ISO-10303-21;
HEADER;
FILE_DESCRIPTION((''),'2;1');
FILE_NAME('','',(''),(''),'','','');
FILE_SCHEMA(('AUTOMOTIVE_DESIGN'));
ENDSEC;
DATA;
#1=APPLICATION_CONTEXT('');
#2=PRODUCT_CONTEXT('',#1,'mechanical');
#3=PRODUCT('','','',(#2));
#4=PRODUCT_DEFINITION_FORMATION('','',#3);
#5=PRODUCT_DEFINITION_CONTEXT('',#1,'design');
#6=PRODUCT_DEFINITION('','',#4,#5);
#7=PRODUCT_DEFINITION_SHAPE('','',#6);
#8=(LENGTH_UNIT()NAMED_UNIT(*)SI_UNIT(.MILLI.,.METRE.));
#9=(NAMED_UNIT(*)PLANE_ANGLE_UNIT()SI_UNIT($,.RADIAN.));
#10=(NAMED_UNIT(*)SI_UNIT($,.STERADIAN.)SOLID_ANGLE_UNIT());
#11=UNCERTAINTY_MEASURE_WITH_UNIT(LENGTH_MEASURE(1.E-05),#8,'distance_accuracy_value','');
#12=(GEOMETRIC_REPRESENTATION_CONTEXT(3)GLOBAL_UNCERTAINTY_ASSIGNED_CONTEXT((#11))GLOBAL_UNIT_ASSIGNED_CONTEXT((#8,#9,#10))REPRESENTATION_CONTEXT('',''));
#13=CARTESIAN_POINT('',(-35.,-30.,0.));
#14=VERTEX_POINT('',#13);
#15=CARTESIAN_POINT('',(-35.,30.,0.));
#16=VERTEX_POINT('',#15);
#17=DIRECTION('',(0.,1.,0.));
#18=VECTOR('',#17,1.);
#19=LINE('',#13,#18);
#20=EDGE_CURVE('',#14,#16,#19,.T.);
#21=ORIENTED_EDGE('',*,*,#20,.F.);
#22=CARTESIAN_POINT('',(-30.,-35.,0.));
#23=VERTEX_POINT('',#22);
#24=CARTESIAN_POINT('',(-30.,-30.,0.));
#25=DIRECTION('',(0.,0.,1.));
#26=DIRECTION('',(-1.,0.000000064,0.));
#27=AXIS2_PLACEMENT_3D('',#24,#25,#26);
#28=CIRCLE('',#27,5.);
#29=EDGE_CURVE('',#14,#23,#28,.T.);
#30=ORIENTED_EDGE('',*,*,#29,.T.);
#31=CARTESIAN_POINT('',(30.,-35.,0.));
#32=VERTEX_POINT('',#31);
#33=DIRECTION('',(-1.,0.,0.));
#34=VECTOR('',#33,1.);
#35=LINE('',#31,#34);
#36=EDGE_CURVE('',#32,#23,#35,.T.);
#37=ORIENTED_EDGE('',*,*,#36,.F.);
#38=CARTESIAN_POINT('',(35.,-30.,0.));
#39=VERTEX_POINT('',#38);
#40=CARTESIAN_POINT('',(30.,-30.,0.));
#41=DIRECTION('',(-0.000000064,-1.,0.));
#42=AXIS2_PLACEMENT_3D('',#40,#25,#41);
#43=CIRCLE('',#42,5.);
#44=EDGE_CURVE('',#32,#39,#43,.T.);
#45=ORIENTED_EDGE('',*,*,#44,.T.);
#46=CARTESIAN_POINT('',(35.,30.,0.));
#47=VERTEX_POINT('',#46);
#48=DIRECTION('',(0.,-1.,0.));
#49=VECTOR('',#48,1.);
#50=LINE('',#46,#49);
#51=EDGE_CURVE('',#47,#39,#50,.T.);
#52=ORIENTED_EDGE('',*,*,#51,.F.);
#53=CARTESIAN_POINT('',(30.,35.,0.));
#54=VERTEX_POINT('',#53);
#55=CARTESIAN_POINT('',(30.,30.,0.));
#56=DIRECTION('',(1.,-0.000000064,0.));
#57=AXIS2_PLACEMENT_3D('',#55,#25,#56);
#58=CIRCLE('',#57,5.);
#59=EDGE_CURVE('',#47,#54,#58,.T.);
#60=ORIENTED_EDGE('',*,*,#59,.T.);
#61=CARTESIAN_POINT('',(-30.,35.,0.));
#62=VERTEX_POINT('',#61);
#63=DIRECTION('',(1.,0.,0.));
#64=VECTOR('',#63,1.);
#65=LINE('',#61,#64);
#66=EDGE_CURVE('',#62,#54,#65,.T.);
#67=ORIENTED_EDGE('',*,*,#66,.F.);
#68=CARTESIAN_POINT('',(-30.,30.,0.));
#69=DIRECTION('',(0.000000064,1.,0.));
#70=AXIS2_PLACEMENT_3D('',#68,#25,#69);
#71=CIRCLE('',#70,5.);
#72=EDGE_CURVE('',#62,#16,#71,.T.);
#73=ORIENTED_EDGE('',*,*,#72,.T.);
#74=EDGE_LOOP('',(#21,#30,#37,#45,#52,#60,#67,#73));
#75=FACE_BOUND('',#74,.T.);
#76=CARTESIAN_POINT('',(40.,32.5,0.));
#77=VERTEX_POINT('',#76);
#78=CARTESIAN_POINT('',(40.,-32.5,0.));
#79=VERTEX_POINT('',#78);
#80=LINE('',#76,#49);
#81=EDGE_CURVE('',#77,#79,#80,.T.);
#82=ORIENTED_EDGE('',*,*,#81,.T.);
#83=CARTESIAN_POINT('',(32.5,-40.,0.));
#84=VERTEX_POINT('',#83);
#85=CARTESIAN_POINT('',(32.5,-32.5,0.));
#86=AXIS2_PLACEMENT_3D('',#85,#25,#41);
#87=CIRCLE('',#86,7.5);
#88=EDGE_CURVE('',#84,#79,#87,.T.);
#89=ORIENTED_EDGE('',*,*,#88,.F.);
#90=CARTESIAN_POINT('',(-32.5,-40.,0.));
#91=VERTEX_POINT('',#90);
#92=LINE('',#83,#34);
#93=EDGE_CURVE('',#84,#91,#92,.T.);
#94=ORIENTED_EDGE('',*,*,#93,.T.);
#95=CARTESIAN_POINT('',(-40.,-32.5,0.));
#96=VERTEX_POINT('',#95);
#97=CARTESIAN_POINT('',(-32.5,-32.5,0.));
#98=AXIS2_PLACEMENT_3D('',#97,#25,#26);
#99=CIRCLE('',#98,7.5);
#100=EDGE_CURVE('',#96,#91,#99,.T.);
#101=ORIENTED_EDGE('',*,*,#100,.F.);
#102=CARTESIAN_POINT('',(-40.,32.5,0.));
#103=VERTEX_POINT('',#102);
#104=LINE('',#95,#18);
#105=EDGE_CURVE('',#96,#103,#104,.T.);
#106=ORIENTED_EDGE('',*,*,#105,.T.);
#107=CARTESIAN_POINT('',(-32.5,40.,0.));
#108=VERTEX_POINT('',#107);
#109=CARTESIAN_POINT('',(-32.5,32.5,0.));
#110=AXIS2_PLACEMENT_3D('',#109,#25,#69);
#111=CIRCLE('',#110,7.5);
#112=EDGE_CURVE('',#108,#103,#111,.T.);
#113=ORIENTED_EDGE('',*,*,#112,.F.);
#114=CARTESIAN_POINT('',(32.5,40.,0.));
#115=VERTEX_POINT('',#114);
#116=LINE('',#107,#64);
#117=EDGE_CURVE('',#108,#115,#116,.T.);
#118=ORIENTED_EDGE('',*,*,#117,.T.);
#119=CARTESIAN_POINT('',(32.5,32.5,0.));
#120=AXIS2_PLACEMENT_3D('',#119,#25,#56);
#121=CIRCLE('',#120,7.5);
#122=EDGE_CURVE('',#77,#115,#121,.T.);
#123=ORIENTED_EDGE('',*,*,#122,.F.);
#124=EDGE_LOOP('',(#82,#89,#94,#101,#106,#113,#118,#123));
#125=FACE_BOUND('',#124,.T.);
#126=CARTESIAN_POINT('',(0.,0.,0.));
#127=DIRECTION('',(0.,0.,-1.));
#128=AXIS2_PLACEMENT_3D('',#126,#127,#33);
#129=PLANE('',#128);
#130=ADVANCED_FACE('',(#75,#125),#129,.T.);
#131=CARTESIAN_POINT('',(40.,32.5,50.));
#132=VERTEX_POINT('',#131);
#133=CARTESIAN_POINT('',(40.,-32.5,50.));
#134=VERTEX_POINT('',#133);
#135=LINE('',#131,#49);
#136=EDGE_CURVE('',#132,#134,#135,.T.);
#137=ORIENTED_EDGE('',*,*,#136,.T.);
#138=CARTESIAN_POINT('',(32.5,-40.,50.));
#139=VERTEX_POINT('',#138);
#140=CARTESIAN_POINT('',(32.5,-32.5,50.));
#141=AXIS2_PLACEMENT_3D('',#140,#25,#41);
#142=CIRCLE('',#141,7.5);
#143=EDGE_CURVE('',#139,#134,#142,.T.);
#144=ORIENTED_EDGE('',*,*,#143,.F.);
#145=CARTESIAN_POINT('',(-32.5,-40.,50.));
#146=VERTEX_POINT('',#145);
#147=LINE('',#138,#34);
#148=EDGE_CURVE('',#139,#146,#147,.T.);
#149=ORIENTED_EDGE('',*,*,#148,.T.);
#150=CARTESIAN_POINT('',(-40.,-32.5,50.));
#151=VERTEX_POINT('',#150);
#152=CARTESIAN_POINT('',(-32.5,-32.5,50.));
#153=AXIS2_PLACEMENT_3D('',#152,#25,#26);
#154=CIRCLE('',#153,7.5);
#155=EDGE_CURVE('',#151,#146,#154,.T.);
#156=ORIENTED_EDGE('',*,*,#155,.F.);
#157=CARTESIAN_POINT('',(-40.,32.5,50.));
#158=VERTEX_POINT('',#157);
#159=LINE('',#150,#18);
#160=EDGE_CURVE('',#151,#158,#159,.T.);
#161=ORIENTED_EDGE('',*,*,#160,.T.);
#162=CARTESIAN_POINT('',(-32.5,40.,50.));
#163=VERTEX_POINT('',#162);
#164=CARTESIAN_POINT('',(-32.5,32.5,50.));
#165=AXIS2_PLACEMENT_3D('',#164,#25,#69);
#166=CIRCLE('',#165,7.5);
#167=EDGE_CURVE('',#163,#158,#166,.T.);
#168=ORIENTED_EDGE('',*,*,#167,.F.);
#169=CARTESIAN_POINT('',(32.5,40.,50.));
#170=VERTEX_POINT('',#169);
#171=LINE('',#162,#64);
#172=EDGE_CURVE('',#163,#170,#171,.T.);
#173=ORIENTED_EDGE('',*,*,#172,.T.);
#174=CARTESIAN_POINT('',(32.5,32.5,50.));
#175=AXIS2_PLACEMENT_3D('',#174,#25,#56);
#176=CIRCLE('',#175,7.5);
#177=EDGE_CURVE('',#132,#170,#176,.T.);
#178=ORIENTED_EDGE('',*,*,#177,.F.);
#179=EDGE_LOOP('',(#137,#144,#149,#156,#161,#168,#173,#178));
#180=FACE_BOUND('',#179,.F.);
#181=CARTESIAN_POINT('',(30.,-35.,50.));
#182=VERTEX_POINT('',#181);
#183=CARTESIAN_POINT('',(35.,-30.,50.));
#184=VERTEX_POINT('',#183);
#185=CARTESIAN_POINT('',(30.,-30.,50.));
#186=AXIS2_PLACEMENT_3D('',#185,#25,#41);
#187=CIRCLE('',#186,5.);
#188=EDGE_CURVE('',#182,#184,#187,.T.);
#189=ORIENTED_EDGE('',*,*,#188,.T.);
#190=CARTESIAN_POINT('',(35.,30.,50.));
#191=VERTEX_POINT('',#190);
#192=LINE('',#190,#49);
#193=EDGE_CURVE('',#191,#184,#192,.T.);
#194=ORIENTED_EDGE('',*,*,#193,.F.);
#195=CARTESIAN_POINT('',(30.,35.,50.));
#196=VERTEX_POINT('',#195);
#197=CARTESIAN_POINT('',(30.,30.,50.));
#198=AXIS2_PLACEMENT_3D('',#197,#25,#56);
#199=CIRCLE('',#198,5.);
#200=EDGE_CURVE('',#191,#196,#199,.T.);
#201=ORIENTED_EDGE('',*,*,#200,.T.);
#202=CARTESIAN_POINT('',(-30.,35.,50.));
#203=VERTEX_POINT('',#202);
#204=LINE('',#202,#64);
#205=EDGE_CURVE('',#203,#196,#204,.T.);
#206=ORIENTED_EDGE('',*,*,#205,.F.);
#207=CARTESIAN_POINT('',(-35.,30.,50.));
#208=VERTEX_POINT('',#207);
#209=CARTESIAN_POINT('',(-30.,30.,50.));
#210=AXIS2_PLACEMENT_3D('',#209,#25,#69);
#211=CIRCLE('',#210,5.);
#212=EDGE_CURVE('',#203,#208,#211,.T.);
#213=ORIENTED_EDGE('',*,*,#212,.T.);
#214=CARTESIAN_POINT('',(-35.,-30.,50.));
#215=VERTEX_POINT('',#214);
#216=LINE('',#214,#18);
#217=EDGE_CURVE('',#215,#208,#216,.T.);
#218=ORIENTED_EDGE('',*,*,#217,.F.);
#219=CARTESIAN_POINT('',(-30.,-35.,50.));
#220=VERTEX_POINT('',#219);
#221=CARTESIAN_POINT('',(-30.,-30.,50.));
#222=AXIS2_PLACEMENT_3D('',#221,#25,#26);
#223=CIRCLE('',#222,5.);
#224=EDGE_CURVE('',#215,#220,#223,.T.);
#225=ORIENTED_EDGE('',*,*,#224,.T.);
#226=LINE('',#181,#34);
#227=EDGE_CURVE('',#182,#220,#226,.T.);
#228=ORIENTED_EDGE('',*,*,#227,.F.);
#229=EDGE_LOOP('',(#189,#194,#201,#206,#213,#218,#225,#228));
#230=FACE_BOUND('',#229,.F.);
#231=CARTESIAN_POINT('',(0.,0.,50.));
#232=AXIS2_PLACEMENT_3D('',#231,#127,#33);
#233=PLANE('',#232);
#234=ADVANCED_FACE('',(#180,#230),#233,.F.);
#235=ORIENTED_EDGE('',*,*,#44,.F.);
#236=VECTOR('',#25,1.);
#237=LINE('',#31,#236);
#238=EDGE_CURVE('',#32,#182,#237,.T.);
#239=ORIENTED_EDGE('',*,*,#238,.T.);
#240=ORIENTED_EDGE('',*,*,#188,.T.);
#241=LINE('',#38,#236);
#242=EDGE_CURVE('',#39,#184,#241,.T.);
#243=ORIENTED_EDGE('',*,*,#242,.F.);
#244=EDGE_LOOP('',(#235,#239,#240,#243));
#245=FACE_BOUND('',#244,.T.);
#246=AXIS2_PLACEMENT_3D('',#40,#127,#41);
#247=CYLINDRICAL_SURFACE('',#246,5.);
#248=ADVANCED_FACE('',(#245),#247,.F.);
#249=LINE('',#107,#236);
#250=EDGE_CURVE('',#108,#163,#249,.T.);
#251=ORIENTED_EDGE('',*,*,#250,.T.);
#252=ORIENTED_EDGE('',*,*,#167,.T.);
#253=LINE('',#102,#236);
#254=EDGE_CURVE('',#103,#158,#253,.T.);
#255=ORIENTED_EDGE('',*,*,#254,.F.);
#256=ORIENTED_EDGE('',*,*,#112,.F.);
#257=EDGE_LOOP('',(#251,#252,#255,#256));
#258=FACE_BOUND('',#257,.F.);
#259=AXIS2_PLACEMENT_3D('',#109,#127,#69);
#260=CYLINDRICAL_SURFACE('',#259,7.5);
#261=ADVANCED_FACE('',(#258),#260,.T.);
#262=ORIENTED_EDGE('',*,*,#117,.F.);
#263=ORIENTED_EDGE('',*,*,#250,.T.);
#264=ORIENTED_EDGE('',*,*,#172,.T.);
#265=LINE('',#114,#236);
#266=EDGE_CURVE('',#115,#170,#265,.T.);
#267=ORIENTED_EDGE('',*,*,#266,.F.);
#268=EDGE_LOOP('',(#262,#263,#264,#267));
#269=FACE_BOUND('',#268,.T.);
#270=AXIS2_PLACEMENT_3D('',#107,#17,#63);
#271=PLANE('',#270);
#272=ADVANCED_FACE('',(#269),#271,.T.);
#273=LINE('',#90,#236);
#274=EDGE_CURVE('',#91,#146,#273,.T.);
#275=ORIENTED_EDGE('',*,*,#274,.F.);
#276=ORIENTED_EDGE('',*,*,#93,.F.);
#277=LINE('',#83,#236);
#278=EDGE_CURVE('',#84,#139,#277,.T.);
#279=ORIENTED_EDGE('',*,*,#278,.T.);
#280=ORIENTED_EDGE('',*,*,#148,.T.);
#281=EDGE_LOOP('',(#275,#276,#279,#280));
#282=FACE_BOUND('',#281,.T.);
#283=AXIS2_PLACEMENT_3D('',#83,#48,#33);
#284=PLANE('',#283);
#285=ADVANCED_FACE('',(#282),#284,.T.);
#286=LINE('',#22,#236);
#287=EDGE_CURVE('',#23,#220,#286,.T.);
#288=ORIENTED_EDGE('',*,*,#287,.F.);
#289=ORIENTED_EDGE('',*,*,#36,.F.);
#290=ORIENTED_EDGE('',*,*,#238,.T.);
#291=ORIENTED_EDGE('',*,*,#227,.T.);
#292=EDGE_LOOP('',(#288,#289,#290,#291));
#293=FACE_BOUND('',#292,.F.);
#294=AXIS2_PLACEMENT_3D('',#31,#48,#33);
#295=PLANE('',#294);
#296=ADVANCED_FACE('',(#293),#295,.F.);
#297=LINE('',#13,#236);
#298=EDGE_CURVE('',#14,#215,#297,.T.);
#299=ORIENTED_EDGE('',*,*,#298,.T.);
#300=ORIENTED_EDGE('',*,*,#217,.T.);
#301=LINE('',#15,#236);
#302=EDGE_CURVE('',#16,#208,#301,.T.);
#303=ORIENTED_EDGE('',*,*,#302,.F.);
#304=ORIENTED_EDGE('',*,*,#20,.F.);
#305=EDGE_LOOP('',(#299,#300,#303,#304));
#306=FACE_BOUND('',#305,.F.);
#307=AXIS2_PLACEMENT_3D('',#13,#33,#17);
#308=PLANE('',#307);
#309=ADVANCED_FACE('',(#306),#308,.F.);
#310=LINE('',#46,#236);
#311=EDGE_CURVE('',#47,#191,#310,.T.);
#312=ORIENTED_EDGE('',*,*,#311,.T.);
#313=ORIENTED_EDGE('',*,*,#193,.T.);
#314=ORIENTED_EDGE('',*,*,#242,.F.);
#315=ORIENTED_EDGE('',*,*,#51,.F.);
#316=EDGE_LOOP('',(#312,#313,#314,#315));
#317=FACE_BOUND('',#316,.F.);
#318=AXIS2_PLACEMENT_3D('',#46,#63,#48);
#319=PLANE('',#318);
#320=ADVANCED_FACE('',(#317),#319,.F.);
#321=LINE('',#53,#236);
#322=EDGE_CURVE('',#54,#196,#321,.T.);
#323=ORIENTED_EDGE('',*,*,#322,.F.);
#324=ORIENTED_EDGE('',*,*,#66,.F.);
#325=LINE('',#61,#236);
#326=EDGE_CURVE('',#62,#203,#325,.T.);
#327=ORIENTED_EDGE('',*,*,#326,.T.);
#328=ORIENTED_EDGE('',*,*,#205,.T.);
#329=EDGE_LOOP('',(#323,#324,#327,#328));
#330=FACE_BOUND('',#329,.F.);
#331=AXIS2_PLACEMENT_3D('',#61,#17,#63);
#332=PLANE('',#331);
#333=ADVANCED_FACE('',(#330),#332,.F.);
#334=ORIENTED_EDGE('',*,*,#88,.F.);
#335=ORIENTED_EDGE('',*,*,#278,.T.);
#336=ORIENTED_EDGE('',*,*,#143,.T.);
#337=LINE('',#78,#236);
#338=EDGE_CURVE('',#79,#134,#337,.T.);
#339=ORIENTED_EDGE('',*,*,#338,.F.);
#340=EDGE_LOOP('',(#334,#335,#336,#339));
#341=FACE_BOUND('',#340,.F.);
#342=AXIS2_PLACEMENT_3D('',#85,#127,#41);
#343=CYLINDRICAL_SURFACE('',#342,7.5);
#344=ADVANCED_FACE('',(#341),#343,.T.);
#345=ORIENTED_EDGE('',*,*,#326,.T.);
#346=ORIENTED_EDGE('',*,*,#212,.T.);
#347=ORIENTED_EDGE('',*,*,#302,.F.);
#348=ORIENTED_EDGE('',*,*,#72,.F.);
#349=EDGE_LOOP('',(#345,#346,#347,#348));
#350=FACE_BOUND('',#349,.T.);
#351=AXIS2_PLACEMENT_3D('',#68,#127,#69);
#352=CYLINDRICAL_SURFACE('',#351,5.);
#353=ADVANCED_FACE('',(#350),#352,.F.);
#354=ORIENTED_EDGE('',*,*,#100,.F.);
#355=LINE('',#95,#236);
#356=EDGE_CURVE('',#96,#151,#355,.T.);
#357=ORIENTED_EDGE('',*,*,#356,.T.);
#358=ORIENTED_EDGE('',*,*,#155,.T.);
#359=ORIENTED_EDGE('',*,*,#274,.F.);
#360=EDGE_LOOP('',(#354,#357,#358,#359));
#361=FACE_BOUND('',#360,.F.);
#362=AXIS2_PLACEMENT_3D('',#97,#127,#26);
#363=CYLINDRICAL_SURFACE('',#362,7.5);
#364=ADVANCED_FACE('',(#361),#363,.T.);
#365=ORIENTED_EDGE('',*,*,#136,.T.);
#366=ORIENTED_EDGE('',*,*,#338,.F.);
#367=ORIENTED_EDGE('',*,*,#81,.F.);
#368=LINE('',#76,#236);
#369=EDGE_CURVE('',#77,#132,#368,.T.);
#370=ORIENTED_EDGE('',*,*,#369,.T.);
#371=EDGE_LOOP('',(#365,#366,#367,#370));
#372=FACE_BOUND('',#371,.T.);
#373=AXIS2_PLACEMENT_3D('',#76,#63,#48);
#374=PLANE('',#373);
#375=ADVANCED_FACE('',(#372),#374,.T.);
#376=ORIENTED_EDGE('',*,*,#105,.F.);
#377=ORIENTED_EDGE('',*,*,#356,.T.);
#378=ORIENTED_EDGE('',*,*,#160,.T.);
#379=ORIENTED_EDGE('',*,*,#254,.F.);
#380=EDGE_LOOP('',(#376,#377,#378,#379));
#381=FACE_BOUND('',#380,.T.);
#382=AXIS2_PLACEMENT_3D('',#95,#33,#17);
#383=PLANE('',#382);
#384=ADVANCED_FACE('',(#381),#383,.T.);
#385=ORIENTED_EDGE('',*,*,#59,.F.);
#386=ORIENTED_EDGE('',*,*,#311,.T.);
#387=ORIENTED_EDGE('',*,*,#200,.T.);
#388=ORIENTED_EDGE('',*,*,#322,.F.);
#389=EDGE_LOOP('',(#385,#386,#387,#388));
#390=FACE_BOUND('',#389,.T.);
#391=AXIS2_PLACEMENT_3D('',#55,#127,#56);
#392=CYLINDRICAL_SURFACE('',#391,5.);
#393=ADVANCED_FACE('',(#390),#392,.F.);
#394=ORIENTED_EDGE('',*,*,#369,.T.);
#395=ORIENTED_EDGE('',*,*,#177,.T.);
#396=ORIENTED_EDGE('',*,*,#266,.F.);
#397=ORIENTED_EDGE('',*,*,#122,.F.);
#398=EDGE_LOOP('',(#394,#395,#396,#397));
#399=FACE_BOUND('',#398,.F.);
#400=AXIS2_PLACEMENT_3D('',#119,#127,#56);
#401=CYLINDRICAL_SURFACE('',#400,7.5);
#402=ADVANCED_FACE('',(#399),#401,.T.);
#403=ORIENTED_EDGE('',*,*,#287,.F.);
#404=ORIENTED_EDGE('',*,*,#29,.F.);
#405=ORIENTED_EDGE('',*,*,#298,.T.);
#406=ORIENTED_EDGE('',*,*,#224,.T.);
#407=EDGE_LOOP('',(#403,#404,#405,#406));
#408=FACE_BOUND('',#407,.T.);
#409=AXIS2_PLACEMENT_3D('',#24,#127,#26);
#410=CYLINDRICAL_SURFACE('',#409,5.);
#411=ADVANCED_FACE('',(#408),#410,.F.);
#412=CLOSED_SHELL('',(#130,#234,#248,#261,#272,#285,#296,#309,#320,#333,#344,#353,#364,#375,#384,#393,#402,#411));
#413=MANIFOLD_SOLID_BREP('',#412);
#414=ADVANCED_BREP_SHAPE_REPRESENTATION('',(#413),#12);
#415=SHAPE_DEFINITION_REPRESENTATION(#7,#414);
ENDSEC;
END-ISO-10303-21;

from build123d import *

# Parameters (mm, degrees)
EXTRUDE_DEPTH = 50


with BuildPart() as part:
    # Sketch → Extrude (new body)
    with BuildSketch(Plane.XY):
        with BuildLine():
            Line((-32.5, 40), (32.5, 40))
            ThreePointArc((40, 32.5), (37.803301, 37.803301), (32.5, 40))
            Line((40, 32.5), (40, -32.5))
            ThreePointArc((32.5, -40), (37.803301, -37.803301), (40, -32.5))
            Line((32.5, -40), (-32.5, -40))
            ThreePointArc((-40, -32.5), (-37.803301, -37.803301), (-32.5, -40))
            Line((-40, -32.5), (-40, 32.5))
            ThreePointArc((-32.5, 40), (-37.803301, 37.803301), (-40, 32.5))
        make_face()
        with BuildLine():
            Line((-30, 35), (30, 35))
            ThreePointArc((35, 30), (33.535534, 33.535534), (30, 35))
            Line((35, 30), (35, -30))
            ThreePointArc((30, -35), (33.535534, -33.535534), (35, -30))
            Line((30, -35), (-30, -35))
            ThreePointArc((-35, -30), (-33.535534, -33.535534), (-30, -35))
            Line((-35, -30), (-35, 30))
            ThreePointArc((-30, 35), (-33.535534, 33.535534), (-35, 30))
        make_face(mode=Mode.SUBTRACT)
    extrude(amount=EXTRUDE_DEPTH)


solid = part.part
